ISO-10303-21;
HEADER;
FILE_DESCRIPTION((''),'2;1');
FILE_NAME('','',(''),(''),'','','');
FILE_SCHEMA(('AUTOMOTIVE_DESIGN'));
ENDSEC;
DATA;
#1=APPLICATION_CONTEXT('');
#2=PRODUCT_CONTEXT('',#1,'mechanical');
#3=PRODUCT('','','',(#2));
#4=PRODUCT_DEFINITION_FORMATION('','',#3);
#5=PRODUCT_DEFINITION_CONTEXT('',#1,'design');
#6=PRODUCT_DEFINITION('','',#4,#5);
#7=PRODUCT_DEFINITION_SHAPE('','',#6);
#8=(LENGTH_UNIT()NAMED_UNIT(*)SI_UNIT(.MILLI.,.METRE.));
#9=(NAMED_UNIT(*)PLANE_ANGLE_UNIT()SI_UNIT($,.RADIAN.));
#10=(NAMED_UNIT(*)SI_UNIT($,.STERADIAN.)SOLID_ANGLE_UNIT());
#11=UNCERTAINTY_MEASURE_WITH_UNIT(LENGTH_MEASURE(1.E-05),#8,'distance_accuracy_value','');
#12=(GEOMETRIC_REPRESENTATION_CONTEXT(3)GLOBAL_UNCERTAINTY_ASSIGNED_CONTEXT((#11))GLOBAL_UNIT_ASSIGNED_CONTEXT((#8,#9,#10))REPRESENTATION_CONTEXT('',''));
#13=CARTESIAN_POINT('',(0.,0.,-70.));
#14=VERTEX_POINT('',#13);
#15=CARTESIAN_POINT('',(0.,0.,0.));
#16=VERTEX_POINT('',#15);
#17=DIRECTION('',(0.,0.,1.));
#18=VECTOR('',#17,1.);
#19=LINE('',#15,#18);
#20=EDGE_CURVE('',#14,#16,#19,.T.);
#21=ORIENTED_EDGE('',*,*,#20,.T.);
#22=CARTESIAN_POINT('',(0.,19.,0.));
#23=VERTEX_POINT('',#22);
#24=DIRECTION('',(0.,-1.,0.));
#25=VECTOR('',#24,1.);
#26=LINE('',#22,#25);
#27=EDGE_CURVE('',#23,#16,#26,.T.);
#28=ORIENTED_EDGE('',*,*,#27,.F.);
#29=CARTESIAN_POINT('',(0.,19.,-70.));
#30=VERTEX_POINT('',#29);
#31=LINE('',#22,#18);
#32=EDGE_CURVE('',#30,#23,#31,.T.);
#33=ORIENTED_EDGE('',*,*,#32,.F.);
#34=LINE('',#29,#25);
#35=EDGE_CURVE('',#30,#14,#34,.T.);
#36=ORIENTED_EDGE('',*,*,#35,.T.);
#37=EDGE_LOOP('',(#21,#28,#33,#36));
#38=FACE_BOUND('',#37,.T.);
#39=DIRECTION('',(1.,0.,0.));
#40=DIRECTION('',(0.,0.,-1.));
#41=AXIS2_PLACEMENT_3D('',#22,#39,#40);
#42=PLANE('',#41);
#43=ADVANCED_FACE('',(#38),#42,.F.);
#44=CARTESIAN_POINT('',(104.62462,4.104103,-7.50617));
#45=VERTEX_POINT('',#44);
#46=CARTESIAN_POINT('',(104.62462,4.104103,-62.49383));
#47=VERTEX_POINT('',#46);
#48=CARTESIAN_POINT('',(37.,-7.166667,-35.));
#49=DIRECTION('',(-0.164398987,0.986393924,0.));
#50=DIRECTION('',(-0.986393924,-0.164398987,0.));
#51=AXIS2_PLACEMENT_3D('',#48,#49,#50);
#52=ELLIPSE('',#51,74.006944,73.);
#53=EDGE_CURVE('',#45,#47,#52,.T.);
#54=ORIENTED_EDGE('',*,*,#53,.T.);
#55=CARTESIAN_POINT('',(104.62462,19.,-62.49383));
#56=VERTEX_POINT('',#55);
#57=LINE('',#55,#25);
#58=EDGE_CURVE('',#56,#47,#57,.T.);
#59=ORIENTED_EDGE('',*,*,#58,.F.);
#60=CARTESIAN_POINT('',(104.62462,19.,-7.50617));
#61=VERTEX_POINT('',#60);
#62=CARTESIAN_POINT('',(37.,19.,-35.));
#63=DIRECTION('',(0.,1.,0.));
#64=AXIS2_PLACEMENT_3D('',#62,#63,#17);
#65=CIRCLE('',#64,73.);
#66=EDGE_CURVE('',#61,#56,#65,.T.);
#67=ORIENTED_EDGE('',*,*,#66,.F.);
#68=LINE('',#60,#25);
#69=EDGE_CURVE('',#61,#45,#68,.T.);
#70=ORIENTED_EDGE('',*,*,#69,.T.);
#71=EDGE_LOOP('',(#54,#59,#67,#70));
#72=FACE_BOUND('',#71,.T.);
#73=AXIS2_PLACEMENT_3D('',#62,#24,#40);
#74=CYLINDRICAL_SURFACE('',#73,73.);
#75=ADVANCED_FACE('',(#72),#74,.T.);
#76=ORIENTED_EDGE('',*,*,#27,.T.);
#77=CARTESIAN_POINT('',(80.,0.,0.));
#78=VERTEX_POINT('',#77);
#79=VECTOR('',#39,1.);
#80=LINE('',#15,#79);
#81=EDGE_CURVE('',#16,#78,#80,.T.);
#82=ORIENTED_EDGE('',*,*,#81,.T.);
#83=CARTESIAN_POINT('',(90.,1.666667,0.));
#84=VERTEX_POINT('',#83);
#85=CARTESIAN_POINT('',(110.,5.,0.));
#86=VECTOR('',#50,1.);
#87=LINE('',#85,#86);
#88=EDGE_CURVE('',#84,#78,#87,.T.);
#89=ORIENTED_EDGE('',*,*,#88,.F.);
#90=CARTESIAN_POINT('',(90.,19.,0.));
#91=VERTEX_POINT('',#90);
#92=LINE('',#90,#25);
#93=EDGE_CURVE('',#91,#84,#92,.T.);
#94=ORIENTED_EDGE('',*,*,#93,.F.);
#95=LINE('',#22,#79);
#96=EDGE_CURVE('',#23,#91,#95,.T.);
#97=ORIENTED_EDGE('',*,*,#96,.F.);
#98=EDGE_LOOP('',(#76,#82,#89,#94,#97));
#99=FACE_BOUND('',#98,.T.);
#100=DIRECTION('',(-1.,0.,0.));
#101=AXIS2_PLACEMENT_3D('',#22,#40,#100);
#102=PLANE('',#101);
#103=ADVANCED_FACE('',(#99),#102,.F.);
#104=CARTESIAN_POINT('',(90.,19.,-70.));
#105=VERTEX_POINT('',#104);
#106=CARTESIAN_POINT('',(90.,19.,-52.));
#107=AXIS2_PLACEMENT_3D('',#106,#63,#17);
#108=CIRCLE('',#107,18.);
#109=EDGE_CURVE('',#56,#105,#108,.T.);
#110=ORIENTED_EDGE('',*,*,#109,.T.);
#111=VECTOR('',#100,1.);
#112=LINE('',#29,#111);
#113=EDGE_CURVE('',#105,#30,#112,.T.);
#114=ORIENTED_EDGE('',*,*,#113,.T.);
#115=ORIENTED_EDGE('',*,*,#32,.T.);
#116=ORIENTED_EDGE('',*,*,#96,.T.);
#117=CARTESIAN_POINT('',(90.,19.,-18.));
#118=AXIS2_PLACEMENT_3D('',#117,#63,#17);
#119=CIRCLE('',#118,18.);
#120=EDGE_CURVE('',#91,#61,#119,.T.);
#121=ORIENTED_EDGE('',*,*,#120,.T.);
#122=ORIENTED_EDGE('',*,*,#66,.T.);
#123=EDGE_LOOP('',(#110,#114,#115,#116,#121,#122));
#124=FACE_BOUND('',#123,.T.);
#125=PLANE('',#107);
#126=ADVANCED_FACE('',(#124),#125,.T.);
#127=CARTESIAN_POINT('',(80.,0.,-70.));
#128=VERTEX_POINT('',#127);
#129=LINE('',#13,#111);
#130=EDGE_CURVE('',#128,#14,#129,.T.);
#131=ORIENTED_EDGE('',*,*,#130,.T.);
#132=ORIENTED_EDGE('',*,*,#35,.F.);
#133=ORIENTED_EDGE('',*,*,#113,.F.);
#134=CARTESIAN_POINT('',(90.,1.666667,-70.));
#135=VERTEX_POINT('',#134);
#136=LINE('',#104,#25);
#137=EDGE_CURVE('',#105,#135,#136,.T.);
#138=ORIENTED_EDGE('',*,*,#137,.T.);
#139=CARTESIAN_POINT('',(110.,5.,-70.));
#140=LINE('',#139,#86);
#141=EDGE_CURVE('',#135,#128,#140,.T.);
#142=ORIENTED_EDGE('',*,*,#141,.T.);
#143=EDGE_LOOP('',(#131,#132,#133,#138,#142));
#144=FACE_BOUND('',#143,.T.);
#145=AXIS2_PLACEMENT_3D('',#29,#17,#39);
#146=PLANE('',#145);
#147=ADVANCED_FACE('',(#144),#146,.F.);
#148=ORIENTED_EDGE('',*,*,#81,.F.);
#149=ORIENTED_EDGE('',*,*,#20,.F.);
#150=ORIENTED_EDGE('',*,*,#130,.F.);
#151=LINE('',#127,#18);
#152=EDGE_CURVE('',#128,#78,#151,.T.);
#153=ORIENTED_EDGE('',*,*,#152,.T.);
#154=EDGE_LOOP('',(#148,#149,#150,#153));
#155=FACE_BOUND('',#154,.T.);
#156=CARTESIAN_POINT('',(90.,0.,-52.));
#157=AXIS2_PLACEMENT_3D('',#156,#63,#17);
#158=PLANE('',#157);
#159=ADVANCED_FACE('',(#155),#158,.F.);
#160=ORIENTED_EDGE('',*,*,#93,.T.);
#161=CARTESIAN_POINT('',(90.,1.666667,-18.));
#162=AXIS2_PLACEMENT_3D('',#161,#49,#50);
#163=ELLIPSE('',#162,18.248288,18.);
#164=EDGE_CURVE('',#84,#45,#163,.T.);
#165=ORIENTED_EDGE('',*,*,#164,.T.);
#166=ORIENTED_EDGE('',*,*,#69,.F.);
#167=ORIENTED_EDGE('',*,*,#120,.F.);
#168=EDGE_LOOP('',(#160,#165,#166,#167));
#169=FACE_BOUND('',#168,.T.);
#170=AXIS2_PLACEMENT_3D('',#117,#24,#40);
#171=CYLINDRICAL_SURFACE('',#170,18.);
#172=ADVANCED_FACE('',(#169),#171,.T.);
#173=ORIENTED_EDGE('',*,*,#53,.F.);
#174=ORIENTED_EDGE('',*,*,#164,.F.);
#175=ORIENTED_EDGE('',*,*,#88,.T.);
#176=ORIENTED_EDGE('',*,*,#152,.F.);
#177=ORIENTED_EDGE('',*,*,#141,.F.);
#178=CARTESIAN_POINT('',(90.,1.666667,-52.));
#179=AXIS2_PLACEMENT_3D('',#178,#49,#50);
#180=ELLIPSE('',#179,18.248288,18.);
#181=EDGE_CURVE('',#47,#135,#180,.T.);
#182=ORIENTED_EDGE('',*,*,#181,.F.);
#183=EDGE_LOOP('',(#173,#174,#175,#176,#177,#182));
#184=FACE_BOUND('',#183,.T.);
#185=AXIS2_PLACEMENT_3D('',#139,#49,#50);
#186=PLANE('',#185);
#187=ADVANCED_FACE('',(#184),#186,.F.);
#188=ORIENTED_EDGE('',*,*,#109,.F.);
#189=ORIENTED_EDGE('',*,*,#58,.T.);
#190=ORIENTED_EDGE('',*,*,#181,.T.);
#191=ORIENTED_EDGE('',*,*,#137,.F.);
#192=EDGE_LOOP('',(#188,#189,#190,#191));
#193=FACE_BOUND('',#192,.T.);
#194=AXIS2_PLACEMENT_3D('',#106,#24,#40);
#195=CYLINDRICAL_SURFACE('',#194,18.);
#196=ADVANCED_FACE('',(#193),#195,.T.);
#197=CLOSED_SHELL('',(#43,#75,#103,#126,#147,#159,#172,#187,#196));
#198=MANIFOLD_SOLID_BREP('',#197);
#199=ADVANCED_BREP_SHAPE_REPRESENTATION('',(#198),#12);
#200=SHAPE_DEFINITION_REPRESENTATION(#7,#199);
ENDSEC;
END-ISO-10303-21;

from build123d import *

# Parameters (mm, degrees)
BOSS_EXTRUDE1_DEPTH = 19
CUT_EXTRUDE1_DEPTH  = 70


with BuildPart() as part:
    # Sketch1 → Boss-Extrude1 (new body)
    with BuildSketch(Plane(origin=(0, 0, 0), x_dir=(1, 0, 0), z_dir=(0, 1, 0))):
        with BuildLine():
            Line((0, 0), (90, 0))
            ThreePointArc((90, 0), (98.219216869, 1.986116209), (104.624620421, 7.506169549))
            ThreePointArc((104.624620421, 7.506169549), (110, 35), (104.624620421, 62.493830451))
            ThreePointArc((104.624620421, 62.493830451), (98.219216869, 68.013883791), (90, 70))
            Line((90, 70), (0, 70))
            Line((0, 70), (0, 0))
        make_face()
    extrude(amount=BOSS_EXTRUDE1_DEPTH)

    # Sketch3 → Cut-Extrude1 (cut)
    with BuildSketch(Plane.XY):
        Polygon((110, 5), (80, 0), (110, 0), align=None)
    extrude(amount=-CUT_EXTRUDE1_DEPTH, mode=Mode.SUBTRACT)


solid = part.part
